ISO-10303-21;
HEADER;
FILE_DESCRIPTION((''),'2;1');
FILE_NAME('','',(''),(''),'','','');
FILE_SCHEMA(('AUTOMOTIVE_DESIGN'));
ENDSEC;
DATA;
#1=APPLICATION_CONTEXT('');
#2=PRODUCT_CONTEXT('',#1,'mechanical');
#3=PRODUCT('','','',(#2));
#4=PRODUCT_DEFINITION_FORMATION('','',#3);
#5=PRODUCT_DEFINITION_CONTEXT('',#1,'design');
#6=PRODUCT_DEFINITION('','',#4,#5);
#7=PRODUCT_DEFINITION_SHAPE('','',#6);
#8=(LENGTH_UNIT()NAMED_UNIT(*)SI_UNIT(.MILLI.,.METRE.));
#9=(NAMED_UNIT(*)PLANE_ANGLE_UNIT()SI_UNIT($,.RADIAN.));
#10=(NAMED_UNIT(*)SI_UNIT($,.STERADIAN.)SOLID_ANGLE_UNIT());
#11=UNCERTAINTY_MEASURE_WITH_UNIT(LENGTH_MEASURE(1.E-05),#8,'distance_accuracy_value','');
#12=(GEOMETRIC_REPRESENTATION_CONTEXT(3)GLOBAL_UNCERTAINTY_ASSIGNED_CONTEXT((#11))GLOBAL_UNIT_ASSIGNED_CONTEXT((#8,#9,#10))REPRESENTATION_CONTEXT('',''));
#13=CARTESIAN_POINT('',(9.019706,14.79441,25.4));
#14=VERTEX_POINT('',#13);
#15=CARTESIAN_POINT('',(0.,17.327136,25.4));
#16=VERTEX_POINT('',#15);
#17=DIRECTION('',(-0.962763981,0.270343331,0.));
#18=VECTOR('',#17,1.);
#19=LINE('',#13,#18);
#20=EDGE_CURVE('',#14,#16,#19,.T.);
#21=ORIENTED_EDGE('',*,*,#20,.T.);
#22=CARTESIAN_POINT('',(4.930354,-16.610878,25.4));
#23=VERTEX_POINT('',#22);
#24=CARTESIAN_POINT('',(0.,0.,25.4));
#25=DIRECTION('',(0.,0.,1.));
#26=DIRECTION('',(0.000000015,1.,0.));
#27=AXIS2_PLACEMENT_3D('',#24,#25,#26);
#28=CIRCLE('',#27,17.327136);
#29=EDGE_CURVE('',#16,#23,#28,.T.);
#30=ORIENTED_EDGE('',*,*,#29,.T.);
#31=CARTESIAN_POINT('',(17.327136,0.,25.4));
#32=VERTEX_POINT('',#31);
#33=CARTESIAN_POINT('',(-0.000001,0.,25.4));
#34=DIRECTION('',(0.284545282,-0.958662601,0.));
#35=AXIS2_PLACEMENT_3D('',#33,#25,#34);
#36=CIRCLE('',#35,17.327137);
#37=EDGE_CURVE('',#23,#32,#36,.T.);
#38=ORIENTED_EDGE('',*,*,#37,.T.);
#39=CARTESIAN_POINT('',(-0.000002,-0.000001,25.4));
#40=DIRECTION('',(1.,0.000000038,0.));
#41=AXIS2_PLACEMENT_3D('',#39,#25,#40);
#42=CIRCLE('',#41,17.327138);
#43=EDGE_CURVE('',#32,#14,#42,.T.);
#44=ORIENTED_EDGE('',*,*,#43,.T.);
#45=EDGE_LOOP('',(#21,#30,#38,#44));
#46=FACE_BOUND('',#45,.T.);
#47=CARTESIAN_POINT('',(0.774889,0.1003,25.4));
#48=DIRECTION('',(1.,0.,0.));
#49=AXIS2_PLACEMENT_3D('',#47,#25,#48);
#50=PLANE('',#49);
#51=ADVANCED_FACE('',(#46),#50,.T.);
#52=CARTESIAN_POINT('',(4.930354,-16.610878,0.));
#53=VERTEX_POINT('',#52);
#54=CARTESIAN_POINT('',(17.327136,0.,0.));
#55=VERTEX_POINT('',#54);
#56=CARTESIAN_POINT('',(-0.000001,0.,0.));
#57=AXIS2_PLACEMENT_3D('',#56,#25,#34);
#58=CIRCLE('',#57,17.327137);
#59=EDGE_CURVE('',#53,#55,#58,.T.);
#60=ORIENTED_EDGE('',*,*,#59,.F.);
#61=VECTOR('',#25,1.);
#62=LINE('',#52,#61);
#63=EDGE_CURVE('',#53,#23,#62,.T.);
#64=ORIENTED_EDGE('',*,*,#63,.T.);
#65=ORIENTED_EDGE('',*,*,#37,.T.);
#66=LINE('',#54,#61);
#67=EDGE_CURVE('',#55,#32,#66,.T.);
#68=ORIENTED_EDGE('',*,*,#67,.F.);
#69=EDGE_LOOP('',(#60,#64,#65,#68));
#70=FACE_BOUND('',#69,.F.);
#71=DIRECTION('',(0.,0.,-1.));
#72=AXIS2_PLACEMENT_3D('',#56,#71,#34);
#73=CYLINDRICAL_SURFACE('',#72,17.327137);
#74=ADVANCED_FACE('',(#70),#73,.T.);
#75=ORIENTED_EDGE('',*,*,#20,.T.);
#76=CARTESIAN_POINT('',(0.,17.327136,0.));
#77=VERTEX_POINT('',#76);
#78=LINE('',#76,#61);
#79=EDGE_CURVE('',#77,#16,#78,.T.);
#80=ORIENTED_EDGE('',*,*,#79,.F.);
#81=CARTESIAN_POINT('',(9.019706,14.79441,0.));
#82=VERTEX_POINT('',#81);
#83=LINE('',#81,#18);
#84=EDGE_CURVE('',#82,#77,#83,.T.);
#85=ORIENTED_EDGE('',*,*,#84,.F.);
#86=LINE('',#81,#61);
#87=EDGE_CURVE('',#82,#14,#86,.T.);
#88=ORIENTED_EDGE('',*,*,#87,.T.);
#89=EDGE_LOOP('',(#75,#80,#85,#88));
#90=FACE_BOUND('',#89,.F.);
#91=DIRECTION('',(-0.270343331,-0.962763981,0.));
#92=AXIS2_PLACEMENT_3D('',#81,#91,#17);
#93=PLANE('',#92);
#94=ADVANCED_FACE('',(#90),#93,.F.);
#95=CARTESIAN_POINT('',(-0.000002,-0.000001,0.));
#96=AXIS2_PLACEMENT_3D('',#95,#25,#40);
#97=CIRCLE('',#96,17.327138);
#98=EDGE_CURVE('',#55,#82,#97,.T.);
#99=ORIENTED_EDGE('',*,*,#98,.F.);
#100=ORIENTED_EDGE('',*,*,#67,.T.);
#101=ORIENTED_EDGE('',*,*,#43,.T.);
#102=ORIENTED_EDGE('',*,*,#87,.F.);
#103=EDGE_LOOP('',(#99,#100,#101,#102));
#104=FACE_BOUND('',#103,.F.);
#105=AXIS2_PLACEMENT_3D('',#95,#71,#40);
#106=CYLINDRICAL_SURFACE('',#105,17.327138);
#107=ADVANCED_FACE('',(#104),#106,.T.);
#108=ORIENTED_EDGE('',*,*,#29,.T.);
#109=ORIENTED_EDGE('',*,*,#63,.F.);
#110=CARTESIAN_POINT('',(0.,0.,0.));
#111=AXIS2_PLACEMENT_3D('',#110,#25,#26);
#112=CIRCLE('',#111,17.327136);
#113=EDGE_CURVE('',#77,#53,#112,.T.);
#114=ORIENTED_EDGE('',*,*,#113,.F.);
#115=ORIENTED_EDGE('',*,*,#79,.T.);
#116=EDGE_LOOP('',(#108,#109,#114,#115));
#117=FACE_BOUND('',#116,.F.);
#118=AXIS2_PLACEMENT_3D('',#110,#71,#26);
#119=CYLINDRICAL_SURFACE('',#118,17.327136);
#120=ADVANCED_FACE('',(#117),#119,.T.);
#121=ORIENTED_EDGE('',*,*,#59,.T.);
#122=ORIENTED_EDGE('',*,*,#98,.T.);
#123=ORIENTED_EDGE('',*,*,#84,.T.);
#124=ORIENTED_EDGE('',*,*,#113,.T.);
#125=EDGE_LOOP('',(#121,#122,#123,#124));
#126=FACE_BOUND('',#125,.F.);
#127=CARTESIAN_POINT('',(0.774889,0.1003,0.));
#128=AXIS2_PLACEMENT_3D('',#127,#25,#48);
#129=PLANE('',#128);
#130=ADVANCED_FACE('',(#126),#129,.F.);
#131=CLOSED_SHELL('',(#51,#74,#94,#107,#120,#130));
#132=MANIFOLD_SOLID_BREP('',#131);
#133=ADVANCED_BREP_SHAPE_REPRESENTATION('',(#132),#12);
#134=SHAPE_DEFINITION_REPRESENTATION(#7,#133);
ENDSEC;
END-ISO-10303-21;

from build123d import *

# Parameters (mm, degrees)
F1_DEPTH = 25.4


with BuildPart() as f1:
    # F0 (on Top) → F1 (new body)
    with BuildSketch(Plane.XY):
        with BuildLine():
            Line((9.019706, 14.79441), (0, 17.327136))
            ThreePointArc((0, 17.327136), (-17.147137, -2.491055), (4.930354, -16.610878))
            ThreePointArc((4.930354, -16.610878), (13.886298, -10.363415), (17.327136, 0))
            ThreePointArc((17.327136, 0), (15.108198, 8.483631), (9.019706, 14.79441))
        make_face()
    extrude(amount=F1_DEPTH)


solid = f1.part
